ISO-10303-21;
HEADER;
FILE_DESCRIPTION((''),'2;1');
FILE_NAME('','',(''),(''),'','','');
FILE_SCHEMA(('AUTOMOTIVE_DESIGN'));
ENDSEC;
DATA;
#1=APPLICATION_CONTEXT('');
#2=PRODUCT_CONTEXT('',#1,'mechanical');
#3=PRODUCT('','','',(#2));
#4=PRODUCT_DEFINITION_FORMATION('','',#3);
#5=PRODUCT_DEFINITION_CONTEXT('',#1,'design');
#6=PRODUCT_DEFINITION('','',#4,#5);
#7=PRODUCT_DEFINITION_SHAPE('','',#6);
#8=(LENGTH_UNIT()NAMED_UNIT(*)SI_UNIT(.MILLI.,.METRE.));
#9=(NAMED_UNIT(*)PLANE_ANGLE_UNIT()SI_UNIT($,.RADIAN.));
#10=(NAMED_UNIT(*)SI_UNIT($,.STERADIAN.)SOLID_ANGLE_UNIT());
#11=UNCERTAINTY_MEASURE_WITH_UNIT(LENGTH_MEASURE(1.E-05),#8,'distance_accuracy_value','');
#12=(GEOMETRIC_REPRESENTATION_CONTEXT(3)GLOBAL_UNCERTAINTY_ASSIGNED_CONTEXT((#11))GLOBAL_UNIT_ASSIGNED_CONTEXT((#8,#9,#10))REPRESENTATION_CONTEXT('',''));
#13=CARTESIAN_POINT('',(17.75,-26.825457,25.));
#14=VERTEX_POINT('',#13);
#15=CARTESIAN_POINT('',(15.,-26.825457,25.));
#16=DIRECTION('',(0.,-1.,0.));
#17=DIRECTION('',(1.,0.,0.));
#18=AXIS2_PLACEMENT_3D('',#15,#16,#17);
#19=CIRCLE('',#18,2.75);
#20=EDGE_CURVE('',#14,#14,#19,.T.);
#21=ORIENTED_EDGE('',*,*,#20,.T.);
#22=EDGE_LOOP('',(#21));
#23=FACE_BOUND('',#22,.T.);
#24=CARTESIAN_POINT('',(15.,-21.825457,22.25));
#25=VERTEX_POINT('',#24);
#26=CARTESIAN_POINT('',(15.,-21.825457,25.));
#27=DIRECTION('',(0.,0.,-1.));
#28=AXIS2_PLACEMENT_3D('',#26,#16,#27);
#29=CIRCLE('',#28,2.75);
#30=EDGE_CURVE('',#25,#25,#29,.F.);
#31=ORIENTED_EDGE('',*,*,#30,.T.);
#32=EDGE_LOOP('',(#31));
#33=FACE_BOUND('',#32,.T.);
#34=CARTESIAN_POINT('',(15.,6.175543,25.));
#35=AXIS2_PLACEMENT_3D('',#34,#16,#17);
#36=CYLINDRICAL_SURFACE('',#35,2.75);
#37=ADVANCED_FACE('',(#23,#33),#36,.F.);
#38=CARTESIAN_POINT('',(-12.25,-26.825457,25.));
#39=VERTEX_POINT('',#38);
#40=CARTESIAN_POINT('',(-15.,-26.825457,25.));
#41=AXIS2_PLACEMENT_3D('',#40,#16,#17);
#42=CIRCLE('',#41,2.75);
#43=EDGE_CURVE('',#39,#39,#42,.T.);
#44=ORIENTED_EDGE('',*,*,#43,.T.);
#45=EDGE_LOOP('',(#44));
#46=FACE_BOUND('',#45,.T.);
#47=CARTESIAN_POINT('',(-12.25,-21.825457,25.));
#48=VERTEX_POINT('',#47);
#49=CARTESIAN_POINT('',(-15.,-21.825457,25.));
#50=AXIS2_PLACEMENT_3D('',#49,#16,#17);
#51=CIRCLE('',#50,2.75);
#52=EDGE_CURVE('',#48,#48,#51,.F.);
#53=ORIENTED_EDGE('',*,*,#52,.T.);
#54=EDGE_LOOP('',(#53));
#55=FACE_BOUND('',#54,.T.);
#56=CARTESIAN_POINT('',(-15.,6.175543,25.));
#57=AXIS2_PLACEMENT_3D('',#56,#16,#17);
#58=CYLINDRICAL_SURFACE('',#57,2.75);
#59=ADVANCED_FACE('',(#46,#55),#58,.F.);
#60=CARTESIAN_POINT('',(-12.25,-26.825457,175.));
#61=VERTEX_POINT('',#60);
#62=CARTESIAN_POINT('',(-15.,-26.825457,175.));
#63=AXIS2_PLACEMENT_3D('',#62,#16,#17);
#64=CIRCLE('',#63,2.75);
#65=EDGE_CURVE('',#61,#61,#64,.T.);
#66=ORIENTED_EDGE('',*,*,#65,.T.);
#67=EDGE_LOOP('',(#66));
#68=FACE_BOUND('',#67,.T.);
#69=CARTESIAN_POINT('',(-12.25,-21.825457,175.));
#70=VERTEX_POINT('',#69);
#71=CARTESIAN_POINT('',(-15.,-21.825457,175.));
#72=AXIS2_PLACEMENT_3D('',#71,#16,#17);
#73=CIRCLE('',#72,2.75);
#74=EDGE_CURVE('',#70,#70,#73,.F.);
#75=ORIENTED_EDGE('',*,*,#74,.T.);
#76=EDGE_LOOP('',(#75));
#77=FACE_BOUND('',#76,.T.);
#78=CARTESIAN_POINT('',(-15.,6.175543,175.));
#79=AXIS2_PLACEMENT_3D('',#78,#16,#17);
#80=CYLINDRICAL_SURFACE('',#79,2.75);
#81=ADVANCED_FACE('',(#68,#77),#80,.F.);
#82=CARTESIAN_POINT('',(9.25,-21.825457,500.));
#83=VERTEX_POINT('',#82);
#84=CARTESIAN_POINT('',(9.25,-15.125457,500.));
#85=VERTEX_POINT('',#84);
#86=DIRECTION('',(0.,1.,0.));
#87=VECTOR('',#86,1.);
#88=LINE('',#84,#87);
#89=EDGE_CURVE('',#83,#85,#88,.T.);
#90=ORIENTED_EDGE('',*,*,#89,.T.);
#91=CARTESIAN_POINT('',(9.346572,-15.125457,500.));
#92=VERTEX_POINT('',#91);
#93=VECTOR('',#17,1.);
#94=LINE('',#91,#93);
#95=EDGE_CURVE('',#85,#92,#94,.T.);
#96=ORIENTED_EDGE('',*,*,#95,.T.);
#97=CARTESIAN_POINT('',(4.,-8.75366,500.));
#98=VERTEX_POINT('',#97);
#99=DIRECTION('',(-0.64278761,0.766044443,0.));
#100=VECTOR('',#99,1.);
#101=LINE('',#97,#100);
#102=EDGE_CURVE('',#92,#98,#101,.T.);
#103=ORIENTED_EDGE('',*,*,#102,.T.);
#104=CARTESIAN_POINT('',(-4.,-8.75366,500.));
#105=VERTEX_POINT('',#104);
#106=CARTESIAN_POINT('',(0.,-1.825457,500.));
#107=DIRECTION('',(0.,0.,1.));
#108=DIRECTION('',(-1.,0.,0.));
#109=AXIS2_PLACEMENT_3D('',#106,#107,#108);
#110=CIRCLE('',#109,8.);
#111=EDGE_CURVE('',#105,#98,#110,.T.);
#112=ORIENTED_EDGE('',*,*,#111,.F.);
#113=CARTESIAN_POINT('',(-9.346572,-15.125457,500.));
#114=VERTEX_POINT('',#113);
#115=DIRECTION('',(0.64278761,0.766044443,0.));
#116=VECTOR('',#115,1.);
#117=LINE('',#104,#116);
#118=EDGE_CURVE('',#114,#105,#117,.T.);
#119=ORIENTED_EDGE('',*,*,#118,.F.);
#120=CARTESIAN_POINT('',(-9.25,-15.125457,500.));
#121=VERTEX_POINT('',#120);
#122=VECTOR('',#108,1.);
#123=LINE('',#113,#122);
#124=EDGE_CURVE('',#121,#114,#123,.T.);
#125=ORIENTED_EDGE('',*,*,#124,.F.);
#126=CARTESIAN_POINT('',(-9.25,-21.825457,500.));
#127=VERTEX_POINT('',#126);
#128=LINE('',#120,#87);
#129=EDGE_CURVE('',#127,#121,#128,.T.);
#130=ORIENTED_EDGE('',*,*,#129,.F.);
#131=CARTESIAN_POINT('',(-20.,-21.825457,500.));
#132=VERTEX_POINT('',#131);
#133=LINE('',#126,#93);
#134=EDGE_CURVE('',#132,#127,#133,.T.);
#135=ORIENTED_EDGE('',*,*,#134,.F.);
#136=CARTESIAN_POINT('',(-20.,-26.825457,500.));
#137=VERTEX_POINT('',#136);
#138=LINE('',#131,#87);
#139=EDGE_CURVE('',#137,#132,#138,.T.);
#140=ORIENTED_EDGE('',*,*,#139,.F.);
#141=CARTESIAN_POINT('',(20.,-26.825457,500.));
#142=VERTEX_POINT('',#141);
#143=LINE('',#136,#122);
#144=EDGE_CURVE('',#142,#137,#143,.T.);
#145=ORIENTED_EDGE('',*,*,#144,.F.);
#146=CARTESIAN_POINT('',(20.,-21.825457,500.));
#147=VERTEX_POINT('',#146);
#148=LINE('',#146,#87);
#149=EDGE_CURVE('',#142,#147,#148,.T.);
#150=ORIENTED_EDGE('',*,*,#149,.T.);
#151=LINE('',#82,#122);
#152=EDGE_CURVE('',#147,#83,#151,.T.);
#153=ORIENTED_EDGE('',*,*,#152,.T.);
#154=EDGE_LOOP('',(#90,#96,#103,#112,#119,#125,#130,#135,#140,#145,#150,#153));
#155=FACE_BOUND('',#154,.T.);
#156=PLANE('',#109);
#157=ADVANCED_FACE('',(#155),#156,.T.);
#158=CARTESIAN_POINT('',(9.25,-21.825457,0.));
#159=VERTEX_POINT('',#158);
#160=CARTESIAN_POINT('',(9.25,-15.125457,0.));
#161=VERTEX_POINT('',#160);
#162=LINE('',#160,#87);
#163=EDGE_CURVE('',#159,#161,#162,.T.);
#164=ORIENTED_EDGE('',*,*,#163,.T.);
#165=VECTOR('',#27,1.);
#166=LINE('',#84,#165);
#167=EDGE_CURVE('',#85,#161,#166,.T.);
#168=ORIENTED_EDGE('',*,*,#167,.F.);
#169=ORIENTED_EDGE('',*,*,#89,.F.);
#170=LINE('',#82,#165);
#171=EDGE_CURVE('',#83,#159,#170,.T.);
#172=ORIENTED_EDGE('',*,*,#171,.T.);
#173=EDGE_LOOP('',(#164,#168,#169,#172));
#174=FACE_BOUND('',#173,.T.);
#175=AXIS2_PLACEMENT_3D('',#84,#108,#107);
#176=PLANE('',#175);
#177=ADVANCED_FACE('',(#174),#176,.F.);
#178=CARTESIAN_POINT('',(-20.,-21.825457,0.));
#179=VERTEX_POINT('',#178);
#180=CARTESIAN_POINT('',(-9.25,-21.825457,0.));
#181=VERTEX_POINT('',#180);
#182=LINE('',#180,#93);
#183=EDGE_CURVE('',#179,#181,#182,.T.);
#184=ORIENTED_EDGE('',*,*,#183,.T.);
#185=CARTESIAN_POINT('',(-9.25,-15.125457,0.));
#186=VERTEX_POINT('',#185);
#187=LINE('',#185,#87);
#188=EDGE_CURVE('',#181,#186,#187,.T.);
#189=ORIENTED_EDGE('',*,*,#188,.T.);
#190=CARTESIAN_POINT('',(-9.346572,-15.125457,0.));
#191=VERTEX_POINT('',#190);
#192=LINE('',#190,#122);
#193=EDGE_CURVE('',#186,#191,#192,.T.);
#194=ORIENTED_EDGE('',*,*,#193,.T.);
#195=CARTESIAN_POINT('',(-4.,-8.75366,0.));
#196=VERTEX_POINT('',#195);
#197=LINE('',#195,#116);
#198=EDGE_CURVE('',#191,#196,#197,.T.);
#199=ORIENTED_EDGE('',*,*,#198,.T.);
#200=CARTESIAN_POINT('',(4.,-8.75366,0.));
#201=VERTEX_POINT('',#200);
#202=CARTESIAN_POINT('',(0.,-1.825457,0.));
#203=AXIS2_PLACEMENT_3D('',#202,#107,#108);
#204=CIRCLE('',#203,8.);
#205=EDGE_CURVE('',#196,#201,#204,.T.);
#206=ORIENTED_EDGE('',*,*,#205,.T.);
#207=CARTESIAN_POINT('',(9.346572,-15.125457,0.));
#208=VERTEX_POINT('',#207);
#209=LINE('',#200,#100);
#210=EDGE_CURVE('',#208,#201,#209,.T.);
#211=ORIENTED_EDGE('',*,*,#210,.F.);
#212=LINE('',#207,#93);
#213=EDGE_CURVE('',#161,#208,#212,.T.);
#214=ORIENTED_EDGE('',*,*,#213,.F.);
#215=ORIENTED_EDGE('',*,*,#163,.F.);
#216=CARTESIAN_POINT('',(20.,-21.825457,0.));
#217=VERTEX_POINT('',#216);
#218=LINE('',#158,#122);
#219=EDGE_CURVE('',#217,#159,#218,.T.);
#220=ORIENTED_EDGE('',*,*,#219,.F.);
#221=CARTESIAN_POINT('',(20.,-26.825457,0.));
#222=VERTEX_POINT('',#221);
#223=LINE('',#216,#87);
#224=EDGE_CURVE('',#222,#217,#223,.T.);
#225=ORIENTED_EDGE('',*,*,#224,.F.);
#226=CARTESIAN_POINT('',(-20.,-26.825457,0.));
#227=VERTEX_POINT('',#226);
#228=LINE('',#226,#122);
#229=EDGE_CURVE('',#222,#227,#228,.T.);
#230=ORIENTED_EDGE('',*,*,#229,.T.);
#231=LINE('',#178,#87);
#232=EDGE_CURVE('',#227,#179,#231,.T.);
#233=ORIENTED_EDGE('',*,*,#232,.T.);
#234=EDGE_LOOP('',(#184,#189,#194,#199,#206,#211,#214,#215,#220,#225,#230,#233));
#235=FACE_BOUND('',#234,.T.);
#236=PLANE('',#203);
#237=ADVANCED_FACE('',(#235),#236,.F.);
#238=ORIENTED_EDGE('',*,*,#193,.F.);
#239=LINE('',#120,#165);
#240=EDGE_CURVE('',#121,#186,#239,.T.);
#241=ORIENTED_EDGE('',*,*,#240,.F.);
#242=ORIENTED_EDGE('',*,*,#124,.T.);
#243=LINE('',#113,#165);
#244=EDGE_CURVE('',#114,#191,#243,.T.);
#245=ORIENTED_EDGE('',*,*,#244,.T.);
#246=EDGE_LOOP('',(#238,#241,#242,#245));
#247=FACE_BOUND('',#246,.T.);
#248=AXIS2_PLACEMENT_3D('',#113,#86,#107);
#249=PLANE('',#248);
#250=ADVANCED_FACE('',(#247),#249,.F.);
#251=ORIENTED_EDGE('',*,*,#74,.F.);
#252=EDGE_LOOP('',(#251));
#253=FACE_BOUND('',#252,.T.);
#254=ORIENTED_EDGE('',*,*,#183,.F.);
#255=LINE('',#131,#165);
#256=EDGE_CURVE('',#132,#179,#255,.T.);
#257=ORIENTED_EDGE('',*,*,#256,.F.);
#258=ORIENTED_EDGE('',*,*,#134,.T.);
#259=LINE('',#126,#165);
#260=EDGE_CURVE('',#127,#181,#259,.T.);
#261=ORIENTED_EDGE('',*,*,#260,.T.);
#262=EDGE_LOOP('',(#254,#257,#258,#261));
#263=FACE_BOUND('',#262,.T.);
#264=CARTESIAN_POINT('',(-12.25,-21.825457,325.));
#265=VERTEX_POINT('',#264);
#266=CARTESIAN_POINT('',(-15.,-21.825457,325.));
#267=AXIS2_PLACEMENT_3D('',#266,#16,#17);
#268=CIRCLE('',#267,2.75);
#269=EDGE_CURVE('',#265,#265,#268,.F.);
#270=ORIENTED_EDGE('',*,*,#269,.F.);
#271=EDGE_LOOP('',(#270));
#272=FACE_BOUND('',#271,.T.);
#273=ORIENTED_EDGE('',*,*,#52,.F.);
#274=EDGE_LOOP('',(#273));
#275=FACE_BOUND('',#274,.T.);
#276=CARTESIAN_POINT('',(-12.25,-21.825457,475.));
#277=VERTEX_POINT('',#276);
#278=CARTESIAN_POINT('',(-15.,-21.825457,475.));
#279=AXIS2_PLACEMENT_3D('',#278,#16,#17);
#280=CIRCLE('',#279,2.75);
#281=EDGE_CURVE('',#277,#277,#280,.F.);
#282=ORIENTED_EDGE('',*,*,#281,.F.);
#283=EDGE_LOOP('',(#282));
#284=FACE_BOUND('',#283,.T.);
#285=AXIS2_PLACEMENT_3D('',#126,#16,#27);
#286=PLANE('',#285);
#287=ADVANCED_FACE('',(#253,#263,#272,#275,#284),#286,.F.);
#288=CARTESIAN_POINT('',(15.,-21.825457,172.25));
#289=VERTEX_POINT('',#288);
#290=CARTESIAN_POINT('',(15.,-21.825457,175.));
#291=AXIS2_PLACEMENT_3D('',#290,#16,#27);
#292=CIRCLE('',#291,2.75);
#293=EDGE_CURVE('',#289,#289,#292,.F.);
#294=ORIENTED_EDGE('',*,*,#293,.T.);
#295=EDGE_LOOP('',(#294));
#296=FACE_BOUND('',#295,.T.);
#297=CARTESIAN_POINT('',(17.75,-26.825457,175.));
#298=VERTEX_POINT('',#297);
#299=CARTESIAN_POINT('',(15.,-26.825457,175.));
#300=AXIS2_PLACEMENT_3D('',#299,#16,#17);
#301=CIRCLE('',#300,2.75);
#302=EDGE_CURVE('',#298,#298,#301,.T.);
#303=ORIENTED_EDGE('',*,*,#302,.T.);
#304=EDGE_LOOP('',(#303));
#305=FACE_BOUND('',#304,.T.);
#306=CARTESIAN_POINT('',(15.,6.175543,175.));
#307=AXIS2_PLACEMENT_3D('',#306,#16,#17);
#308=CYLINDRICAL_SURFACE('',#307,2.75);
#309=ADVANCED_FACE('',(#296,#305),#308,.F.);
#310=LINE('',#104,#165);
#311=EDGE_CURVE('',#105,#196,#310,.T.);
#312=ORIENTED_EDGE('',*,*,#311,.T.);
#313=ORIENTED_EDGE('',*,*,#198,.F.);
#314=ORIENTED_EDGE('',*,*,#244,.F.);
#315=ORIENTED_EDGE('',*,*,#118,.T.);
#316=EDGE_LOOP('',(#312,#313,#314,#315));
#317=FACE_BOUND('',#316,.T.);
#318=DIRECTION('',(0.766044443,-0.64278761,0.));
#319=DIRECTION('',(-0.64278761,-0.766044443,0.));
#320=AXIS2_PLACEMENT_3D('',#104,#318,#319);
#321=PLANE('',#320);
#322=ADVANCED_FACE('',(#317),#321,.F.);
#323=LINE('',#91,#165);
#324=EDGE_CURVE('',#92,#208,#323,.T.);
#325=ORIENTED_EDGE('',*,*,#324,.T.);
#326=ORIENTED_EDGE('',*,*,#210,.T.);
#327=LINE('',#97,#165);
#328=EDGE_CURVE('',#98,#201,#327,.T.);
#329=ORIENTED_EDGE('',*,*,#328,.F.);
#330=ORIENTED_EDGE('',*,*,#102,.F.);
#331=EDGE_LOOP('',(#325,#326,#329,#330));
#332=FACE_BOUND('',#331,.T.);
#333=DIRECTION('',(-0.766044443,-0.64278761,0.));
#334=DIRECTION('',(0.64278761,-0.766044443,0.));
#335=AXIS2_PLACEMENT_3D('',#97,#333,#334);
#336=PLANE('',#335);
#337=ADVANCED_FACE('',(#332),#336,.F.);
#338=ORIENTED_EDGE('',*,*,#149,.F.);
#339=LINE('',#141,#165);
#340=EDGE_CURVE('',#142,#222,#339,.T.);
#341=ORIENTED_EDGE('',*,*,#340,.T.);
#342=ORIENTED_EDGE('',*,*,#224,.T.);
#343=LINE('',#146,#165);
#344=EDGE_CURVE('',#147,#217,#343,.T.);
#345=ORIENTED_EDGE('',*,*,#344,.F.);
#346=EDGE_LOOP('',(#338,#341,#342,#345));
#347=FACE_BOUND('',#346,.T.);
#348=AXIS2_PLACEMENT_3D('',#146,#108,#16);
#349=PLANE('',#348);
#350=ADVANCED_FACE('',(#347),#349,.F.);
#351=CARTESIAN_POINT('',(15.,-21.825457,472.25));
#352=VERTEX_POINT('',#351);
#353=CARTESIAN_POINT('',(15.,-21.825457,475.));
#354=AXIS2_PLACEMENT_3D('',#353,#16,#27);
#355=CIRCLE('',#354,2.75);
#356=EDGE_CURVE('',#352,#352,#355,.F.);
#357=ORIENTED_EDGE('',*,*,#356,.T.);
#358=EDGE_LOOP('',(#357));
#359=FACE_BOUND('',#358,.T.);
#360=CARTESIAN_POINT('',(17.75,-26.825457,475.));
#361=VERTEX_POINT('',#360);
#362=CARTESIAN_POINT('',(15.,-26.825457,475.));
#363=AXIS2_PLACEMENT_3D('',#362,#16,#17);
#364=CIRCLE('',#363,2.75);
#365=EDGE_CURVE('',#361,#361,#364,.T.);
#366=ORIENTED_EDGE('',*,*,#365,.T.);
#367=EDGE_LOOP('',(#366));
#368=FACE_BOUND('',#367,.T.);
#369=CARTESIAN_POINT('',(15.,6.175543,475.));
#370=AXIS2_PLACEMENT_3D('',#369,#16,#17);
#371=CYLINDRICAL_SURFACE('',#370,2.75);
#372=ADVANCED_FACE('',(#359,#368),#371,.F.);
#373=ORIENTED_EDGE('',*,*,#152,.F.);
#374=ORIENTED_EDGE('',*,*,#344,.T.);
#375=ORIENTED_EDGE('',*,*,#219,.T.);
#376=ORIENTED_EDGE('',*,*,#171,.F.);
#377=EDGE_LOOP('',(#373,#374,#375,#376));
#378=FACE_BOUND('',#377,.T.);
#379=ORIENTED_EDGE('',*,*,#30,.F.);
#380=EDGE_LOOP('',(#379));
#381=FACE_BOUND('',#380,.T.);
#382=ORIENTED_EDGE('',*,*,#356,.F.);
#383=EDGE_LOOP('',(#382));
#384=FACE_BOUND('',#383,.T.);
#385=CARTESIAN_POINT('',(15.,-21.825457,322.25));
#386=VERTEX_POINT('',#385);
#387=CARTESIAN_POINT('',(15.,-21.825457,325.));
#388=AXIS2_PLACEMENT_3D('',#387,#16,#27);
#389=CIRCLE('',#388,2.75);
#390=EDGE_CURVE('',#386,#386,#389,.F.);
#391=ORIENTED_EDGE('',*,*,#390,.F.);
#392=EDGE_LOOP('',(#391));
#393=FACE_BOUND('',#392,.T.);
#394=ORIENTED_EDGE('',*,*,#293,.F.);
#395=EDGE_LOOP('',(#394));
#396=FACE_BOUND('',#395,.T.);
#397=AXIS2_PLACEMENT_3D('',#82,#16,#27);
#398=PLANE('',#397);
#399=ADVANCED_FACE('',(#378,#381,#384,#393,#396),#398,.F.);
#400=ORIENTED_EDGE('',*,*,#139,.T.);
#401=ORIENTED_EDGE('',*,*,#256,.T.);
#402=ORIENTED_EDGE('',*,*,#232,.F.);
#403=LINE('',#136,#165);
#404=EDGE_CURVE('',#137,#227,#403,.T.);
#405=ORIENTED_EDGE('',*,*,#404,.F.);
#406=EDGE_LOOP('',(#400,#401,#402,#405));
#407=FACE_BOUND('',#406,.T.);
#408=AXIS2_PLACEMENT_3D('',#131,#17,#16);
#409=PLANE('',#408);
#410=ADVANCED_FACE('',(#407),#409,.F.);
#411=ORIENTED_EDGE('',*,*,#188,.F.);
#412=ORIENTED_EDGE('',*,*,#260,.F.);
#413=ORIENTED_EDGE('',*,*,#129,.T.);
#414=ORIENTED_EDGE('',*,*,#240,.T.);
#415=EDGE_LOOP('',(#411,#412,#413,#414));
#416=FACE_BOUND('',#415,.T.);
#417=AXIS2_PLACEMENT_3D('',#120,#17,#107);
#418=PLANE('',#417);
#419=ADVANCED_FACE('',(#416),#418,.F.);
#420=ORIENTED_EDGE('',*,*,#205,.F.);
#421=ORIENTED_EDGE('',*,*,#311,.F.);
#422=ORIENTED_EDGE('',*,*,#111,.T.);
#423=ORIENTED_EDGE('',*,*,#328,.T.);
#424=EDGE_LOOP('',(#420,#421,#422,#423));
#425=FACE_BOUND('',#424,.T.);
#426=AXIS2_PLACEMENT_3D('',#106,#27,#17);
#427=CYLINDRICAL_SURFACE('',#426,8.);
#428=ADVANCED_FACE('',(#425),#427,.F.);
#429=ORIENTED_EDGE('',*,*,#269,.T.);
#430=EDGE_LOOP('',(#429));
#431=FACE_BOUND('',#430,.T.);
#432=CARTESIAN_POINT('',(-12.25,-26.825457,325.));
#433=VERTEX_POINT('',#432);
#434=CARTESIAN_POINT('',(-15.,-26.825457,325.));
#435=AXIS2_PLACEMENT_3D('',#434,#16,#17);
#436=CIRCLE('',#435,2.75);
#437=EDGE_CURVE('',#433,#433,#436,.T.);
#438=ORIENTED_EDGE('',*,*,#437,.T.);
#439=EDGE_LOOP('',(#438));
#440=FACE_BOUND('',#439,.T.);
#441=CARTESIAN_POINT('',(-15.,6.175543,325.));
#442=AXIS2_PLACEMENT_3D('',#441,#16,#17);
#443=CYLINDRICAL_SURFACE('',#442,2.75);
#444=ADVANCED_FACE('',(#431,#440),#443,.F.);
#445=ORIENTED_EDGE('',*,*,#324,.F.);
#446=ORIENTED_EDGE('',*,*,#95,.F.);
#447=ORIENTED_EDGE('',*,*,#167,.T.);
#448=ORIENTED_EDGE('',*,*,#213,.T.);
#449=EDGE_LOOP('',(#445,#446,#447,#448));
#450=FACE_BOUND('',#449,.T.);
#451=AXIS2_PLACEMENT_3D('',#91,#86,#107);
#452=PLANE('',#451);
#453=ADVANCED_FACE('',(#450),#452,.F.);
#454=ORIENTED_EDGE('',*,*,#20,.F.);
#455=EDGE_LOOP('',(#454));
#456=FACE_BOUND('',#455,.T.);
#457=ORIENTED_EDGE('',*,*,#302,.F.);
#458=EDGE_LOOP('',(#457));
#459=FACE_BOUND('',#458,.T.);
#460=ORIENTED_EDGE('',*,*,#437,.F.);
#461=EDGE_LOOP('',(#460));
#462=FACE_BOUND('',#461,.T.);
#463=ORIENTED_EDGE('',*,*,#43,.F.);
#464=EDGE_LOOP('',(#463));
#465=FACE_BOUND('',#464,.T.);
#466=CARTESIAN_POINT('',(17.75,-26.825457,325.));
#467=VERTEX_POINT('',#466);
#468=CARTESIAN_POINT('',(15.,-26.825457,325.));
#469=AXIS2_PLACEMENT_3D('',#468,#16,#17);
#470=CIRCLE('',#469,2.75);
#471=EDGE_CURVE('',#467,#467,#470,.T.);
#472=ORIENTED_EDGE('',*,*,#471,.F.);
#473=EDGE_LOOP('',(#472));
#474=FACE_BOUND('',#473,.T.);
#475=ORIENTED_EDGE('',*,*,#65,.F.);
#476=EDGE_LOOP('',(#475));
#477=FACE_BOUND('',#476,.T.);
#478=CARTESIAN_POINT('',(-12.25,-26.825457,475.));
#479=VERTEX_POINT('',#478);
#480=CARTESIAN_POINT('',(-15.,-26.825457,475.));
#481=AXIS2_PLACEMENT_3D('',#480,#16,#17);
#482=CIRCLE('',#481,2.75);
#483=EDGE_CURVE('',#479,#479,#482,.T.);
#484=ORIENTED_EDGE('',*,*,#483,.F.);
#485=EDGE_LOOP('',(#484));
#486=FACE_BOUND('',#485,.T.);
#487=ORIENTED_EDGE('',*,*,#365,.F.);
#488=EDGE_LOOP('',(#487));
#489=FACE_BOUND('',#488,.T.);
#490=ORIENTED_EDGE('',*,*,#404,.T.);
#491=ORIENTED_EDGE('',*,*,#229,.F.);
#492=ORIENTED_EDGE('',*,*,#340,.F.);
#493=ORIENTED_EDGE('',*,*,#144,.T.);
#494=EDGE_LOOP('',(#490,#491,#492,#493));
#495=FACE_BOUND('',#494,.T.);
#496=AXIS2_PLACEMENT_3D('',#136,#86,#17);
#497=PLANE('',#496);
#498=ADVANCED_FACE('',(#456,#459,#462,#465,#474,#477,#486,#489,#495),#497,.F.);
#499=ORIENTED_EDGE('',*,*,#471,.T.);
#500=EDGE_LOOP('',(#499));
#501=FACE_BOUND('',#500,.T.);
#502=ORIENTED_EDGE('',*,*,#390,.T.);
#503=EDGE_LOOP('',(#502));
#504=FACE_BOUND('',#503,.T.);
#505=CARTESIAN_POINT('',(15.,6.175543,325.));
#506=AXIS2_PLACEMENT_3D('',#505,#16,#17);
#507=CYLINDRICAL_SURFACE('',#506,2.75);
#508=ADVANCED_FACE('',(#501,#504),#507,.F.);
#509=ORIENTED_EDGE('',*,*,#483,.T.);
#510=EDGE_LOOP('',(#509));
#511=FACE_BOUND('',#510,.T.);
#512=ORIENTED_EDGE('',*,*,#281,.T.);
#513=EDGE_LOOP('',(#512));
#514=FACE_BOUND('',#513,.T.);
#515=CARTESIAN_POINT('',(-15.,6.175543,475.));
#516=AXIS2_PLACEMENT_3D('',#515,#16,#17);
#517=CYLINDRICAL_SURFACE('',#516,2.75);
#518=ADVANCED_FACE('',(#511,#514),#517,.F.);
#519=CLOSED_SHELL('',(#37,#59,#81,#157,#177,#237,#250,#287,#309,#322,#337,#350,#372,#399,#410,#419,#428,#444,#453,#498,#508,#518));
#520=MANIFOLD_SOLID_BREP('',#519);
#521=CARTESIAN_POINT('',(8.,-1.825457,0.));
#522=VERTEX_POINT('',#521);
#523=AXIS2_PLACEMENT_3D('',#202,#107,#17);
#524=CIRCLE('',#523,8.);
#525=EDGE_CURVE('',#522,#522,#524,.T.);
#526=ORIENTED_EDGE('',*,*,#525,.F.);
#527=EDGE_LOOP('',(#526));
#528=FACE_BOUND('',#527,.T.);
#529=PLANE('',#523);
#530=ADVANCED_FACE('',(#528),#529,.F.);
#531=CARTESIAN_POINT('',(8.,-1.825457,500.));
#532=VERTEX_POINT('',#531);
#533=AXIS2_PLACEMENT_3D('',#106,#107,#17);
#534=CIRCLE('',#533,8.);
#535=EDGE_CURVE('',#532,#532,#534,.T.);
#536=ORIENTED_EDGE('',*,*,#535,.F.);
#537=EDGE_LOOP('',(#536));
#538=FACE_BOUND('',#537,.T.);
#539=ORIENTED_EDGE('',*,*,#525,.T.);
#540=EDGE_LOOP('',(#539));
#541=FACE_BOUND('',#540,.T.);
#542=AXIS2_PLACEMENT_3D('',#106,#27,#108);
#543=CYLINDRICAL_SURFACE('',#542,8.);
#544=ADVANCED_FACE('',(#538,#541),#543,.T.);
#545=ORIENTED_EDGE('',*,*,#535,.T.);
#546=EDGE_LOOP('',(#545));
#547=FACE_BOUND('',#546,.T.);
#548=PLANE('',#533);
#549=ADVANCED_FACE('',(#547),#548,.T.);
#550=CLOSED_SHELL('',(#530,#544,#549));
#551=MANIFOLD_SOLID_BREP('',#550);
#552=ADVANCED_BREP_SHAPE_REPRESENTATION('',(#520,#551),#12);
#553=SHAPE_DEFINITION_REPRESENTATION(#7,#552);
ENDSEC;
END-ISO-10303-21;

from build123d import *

# Parameters (mm, degrees)
SKETCH1_R          = 8
EXTRUDE1_DEPTH     = 500
EXTRUDE3_DEPTH     = 500
SKETCH8_R          = 2.75
CUT_EXTRUDE1_DEPTH = 5
LPATTERN1_COUNT    = 4
LPATTERN1_PITCH    = 150


with BuildPart() as part:
    # Sketch1 → Extrude1 (new body)
    with BuildSketch(Plane.XY):
        with Locations((0, -1.825456957)):
            Circle(SKETCH1_R)
    extrude(amount=EXTRUDE1_DEPTH)


with BuildPart() as body_2:
    # Sketch2 → Extrude3 (new body)
    with BuildSketch(Plane.XY):
        with BuildLine():
            Line((4, -8.753660187), (9.346572319, -15.125456957))
            Line((9.346572319, -15.125456957), (9.25, -15.125456957))
            Line((9.25, -15.125456957), (9.25, -21.825456957))
            Line((9.25, -21.825456957), (20, -21.825456957))
            Line((20, -21.825456957), (20, -26.825456957))
            Line((20, -26.825456957), (0, -26.825456957))
            Line((0, -26.825456957), (0, -9.825456957))
            ThreePointArc((0, -9.825456957), (2.070552361, -9.552863567), (4, -8.753660187))
        make_face()
    extrude(amount=EXTRUDE3_DEPTH)


with BuildPart() as body_3:
    # Mirror5: mirrored copy
    add(body_2.part.mirror(Plane(origin=(0, -26.825456957, 500), x_dir=(0, 0, 1), z_dir=(1, 0, 0))))

    # Combine1: union body 2
    add(body_2.part)

    # Sketch8 → Cut-Extrude1 (cut)
    with BuildSketch(Plane.XZ.offset(26.825456957)):
        with Locations((-15, 475)):
            Circle(SKETCH8_R)
        with Locations((15, 475)):
            Circle(SKETCH8_R)
    cut_extrude1 = extrude(amount=-CUT_EXTRUDE1_DEPTH, mode=Mode.SUBTRACT)

    # LPattern1: Cut-Extrude1 ×4
    with Locations(*[(0, 0, -i * LPATTERN1_PITCH) for i in range(1, LPATTERN1_COUNT)]):
        add(cut_extrude1, mode=Mode.SUBTRACT)


solid = Compound([part.part, body_3.part])
